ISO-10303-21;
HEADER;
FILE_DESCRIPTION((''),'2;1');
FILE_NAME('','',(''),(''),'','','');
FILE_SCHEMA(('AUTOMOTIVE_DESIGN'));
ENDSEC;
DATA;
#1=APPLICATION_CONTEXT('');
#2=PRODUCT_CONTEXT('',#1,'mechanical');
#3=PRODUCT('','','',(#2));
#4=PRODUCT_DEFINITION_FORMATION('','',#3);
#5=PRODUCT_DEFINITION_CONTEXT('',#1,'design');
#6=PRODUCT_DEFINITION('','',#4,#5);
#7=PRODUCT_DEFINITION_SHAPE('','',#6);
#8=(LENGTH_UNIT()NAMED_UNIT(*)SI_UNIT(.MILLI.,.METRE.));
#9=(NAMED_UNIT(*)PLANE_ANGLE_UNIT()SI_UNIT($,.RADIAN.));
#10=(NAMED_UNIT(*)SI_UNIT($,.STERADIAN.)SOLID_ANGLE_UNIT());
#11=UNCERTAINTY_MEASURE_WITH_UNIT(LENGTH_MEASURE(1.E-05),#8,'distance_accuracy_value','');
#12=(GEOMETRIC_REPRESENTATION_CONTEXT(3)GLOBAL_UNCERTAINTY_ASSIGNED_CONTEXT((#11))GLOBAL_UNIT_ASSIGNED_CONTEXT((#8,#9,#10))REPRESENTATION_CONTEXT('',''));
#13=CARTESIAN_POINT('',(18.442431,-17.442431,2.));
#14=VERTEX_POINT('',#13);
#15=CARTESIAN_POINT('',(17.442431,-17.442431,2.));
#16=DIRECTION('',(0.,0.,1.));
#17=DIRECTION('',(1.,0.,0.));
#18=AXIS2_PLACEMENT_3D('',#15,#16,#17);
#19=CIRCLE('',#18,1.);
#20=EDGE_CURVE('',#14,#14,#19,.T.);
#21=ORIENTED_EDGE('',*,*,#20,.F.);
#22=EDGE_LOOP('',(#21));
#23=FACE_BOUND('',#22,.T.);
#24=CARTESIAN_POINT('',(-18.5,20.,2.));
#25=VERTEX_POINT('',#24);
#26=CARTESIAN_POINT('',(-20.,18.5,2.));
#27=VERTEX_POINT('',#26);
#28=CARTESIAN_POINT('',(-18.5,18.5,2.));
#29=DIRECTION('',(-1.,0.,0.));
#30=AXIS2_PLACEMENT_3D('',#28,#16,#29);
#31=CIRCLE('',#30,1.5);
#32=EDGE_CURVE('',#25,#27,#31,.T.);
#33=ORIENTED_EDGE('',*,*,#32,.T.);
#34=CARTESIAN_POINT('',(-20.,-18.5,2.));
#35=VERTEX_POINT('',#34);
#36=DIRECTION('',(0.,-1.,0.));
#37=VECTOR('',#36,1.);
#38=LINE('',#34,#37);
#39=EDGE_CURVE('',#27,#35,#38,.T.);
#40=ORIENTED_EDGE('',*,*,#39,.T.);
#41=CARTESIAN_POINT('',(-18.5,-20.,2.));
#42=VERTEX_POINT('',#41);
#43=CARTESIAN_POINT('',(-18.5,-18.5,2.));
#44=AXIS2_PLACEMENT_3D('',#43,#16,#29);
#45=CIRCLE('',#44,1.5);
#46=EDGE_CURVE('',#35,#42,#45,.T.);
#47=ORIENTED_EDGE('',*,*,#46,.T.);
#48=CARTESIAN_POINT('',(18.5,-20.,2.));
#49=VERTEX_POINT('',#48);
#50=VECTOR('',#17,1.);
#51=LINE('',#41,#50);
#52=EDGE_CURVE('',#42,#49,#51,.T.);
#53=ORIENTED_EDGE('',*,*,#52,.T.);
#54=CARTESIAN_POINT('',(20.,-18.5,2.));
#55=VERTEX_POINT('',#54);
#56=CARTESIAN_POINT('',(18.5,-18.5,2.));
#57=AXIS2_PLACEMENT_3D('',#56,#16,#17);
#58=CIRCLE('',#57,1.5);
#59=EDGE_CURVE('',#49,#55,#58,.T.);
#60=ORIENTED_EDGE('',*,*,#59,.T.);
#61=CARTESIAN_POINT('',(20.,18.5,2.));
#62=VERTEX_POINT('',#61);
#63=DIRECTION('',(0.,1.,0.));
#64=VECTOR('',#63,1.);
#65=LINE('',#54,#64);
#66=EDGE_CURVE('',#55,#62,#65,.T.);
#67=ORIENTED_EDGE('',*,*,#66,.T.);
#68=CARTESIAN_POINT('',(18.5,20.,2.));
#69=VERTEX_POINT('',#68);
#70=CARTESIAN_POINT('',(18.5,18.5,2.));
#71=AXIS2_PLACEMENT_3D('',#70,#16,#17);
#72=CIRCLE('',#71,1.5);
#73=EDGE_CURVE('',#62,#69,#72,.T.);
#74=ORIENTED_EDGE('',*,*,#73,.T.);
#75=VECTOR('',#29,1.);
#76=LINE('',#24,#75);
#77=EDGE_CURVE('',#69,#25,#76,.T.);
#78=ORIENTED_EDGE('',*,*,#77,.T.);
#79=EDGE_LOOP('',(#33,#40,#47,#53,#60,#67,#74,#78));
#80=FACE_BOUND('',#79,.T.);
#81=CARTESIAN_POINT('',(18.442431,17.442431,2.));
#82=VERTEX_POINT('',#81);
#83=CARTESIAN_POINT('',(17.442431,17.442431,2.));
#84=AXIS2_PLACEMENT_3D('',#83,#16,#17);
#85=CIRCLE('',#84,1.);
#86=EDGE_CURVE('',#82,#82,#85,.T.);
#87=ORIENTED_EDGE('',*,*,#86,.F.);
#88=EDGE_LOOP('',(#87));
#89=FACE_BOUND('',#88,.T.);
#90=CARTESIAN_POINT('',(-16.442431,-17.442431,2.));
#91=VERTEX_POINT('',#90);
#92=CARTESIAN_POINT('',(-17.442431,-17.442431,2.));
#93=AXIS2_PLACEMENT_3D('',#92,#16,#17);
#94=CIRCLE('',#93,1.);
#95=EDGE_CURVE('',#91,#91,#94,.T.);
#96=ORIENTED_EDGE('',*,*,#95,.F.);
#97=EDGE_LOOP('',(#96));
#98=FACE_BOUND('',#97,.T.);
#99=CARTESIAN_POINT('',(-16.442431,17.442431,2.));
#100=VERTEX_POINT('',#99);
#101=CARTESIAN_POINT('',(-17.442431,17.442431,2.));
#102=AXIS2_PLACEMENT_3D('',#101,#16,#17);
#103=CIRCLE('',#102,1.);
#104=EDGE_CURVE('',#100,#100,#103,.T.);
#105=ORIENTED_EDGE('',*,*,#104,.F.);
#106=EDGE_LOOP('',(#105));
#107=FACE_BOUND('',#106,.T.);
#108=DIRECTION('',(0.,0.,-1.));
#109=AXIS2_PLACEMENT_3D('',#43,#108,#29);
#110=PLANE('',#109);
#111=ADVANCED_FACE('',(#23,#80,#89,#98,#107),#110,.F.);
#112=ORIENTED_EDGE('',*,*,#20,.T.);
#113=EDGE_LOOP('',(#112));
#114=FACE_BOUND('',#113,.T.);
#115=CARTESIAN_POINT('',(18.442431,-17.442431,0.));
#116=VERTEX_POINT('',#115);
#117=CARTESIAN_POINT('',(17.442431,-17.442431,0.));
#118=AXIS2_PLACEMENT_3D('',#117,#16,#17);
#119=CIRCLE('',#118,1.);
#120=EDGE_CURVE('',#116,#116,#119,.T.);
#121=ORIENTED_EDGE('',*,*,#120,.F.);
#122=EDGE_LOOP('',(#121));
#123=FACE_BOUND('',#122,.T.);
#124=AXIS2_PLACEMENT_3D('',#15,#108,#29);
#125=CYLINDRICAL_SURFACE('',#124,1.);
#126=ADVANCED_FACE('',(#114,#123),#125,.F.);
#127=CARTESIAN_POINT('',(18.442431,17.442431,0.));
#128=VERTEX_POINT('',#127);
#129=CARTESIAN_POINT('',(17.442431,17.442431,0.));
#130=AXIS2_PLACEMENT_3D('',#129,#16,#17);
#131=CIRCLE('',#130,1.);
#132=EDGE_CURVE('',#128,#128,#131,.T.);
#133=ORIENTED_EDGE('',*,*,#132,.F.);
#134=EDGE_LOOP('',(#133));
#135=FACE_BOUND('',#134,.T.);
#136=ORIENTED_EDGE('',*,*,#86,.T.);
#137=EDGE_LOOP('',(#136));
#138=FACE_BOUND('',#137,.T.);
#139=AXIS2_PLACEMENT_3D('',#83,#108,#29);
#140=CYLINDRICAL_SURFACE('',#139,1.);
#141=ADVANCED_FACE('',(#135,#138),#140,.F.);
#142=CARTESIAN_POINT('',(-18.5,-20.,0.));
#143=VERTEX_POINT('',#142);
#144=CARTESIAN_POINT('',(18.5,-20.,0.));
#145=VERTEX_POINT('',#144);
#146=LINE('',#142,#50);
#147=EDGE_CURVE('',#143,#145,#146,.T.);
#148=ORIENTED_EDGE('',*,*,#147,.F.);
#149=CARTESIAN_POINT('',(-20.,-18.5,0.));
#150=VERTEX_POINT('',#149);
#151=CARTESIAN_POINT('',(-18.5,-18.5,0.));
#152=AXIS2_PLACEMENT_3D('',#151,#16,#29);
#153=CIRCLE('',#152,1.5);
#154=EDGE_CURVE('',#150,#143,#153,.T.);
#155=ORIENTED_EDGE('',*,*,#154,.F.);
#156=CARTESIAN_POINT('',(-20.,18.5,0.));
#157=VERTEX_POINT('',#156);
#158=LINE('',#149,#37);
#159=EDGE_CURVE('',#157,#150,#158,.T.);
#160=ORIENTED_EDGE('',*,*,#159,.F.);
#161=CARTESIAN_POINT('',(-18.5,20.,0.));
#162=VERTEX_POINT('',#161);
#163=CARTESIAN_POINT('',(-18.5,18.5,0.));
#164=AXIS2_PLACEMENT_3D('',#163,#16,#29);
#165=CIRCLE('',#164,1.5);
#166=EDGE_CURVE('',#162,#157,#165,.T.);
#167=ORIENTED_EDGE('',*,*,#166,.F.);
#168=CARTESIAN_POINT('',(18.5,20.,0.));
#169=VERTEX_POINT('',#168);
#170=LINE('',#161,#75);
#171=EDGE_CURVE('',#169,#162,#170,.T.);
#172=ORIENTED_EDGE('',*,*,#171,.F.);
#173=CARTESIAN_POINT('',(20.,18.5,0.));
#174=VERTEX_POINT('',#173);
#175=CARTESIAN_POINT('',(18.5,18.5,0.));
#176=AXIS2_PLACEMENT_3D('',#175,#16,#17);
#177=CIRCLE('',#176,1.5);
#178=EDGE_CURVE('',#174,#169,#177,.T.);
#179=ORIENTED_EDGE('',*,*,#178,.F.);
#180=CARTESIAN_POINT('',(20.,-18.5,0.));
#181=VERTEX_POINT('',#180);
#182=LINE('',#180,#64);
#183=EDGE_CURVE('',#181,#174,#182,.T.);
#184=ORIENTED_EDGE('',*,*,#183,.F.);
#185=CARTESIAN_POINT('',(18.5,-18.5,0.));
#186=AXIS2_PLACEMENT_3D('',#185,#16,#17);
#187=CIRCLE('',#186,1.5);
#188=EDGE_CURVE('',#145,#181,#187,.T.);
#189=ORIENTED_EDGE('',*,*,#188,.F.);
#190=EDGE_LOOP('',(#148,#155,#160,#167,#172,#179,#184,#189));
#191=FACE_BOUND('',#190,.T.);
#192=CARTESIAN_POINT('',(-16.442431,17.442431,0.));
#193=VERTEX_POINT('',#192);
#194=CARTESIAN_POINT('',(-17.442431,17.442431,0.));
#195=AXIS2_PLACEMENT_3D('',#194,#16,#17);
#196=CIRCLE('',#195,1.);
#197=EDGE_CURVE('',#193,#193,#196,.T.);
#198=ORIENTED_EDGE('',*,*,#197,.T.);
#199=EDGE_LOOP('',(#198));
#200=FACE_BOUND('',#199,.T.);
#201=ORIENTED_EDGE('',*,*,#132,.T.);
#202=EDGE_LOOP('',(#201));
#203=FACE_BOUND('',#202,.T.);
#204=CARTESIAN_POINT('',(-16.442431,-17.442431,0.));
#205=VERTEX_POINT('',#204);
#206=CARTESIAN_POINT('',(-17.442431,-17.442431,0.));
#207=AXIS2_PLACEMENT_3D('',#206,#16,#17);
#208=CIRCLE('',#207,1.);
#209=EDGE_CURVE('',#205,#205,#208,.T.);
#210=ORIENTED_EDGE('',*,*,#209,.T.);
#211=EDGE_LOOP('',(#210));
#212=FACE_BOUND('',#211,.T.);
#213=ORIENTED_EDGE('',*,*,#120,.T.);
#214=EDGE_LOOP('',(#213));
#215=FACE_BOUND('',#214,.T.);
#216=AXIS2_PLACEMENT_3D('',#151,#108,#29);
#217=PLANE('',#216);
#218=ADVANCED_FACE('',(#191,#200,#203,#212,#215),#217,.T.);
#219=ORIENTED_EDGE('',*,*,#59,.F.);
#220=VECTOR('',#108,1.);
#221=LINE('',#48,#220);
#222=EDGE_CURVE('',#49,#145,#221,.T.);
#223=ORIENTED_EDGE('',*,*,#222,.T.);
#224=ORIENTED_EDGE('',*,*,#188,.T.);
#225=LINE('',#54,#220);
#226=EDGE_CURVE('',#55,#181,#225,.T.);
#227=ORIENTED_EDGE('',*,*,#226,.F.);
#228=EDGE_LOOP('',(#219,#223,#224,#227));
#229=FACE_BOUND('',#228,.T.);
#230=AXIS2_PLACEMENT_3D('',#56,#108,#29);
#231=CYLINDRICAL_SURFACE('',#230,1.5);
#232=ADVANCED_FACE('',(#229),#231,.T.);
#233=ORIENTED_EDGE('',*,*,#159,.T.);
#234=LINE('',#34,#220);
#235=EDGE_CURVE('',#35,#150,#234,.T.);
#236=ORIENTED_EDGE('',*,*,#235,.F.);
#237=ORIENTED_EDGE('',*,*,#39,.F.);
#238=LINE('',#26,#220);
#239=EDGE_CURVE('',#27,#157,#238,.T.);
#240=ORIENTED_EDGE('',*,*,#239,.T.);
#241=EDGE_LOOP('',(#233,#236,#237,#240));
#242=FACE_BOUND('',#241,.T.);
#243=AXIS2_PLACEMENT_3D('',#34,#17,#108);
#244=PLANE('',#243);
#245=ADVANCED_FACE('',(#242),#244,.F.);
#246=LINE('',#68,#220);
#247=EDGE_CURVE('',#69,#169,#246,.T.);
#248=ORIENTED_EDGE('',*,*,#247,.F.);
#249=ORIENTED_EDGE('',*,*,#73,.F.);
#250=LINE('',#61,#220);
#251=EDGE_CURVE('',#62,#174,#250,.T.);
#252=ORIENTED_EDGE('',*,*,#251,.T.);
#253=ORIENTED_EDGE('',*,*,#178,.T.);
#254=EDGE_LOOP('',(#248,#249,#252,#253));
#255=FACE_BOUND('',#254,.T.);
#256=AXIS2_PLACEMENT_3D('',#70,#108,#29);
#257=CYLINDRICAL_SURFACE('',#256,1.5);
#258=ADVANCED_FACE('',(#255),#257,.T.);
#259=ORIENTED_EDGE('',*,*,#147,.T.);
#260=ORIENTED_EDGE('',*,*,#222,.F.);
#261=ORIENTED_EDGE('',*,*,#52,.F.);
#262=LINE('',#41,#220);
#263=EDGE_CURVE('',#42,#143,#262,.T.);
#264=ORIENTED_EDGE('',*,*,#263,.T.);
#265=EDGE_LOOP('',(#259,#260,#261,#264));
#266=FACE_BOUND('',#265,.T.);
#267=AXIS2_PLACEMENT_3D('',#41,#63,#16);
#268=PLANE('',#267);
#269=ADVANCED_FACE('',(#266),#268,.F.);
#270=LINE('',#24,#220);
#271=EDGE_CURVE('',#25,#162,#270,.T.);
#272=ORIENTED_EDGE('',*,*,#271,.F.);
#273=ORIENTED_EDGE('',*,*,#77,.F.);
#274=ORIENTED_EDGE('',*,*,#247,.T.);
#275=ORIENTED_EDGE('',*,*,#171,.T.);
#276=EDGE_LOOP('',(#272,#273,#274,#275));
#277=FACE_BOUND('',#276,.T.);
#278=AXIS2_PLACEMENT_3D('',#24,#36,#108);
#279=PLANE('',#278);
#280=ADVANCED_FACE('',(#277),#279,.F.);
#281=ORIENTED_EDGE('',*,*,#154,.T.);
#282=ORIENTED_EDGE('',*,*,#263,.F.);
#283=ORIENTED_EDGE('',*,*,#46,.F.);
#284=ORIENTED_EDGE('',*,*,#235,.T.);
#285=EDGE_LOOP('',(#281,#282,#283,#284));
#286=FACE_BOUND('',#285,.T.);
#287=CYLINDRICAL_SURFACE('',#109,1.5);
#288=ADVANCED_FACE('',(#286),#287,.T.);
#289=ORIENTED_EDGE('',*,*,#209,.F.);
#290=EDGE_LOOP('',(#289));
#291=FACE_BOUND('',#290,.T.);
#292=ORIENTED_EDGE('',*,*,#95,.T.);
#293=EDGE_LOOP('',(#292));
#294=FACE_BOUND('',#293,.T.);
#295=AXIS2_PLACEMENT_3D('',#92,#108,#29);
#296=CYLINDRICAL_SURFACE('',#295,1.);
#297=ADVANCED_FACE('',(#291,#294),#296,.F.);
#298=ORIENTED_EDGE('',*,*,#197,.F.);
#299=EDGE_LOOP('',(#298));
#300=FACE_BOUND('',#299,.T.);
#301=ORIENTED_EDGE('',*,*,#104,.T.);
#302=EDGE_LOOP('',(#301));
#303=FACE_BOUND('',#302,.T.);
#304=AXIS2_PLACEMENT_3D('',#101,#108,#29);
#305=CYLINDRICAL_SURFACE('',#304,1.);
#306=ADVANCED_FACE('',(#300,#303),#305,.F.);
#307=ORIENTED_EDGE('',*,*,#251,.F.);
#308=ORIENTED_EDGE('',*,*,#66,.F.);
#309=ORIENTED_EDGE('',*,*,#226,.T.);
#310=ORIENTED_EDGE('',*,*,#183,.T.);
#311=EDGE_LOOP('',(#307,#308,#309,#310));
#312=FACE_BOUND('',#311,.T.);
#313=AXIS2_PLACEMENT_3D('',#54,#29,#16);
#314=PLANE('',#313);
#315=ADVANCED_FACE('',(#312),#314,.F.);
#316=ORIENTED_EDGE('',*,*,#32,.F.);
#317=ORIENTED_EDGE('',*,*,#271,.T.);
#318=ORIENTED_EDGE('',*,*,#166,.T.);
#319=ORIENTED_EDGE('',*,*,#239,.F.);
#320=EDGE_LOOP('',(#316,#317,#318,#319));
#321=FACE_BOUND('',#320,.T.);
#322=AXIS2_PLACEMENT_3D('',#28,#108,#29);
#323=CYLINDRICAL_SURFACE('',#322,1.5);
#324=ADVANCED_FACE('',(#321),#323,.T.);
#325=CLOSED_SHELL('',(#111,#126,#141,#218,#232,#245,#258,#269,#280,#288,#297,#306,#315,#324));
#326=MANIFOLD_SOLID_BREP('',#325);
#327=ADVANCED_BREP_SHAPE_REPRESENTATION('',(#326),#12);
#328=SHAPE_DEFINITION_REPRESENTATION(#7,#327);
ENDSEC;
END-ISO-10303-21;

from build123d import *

# Parameters (mm, degrees)
SKETCH_1_R      = 1
EXTRUDE_1_DEPTH = 2


with BuildPart() as part:
    # 草图1 → 凸台-拉伸1 (new body)
    with BuildSketch(Plane.XY):
        with BuildLine():
            Line((-18.5, -20), (18.5, -20))
            ThreePointArc((18.5, -20), (19.560660172, -19.560660172), (20, -18.5))
            Line((20, -18.5), (20, 18.5))
            ThreePointArc((20, 18.5), (19.560660172, 19.560660172), (18.5, 20))
            Line((18.5, 20), (-18.5, 20))
            ThreePointArc((-18.5, 20), (-19.560660172, 19.560660172), (-20, 18.5))
            Line((-20, 18.5), (-20, -18.5))
            ThreePointArc((-20, -18.5), (-19.560660172, -19.560660172), (-18.5, -20))
        make_face()
        with Locations((-17.442431276, 17.442431276)):
            Circle(SKETCH_1_R, mode=Mode.SUBTRACT)
        with Locations((17.442431276, 17.442431276)):
            Circle(SKETCH_1_R, mode=Mode.SUBTRACT)
        with Locations((17.442431276, -17.442431276)):
            Circle(SKETCH_1_R, mode=Mode.SUBTRACT)
        with Locations((-17.442431276, -17.442431276)):
            Circle(SKETCH_1_R, mode=Mode.SUBTRACT)
    extrude(amount=EXTRUDE_1_DEPTH)


solid = part.part
